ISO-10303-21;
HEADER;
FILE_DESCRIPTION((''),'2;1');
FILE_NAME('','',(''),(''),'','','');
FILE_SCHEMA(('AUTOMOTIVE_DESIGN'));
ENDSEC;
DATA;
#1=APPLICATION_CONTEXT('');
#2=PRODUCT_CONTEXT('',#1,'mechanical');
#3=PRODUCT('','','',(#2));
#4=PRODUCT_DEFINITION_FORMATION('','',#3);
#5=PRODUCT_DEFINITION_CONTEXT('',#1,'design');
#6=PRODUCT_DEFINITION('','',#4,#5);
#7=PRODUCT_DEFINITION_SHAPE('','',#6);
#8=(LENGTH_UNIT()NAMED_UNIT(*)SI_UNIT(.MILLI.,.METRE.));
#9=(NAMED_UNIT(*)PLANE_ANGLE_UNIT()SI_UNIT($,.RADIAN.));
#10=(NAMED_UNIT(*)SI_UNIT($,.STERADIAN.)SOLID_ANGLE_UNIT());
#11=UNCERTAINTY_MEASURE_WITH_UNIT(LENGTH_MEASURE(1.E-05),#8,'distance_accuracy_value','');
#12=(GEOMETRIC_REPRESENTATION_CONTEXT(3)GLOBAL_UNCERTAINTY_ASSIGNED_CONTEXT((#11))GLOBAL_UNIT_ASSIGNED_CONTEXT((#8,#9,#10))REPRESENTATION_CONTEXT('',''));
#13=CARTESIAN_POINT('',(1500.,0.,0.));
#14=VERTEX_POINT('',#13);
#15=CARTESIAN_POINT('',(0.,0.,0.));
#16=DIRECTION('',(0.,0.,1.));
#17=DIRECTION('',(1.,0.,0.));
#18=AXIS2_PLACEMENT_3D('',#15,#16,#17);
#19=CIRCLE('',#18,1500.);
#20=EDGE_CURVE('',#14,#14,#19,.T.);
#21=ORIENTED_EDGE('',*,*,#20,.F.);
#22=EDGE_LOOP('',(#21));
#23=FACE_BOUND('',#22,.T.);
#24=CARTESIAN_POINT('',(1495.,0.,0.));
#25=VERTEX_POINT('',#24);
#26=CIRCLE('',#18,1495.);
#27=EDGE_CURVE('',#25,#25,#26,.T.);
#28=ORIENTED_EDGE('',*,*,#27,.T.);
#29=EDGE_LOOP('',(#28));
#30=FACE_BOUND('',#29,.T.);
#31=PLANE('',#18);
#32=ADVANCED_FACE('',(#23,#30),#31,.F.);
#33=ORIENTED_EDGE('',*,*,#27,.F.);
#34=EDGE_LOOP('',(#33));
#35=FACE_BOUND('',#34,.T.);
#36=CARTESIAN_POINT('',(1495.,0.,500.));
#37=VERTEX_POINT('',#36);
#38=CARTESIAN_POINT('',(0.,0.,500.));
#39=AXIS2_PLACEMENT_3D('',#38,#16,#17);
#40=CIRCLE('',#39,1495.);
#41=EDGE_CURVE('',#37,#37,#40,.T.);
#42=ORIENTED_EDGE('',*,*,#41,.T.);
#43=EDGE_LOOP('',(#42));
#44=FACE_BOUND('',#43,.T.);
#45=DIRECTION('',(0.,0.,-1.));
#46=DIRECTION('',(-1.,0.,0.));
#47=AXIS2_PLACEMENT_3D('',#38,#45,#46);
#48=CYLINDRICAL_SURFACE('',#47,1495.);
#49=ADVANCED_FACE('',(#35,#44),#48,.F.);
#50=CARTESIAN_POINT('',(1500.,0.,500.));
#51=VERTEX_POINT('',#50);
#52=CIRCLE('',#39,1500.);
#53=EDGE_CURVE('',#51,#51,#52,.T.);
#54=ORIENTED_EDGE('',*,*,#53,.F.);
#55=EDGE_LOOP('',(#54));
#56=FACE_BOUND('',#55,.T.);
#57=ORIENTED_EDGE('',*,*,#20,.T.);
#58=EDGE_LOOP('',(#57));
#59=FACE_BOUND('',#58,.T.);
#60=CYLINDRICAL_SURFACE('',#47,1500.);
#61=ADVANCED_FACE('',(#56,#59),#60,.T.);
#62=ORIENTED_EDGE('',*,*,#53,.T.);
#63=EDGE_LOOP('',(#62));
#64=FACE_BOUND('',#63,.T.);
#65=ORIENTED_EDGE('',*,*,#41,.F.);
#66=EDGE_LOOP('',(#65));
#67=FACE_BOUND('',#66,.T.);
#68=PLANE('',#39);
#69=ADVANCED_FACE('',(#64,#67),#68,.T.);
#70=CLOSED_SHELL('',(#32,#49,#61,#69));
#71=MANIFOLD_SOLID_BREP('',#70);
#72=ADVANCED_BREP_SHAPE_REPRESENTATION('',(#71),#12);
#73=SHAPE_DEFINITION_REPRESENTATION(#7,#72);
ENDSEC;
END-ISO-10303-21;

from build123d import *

# Parameters (mm, degrees)
SKETCH_1_R      = 1500
SKETCH_1_R_2    = 1495
EXTRUDE_1_DEPTH = 500


with BuildPart() as part:
    # Эскиз1 → Бобышка-Вытянуть1 (new body)
    with BuildSketch(Plane.XY):
        Circle(SKETCH_1_R)
        Circle(SKETCH_1_R_2, mode=Mode.SUBTRACT)
    extrude(amount=EXTRUDE_1_DEPTH)


solid = part.part
